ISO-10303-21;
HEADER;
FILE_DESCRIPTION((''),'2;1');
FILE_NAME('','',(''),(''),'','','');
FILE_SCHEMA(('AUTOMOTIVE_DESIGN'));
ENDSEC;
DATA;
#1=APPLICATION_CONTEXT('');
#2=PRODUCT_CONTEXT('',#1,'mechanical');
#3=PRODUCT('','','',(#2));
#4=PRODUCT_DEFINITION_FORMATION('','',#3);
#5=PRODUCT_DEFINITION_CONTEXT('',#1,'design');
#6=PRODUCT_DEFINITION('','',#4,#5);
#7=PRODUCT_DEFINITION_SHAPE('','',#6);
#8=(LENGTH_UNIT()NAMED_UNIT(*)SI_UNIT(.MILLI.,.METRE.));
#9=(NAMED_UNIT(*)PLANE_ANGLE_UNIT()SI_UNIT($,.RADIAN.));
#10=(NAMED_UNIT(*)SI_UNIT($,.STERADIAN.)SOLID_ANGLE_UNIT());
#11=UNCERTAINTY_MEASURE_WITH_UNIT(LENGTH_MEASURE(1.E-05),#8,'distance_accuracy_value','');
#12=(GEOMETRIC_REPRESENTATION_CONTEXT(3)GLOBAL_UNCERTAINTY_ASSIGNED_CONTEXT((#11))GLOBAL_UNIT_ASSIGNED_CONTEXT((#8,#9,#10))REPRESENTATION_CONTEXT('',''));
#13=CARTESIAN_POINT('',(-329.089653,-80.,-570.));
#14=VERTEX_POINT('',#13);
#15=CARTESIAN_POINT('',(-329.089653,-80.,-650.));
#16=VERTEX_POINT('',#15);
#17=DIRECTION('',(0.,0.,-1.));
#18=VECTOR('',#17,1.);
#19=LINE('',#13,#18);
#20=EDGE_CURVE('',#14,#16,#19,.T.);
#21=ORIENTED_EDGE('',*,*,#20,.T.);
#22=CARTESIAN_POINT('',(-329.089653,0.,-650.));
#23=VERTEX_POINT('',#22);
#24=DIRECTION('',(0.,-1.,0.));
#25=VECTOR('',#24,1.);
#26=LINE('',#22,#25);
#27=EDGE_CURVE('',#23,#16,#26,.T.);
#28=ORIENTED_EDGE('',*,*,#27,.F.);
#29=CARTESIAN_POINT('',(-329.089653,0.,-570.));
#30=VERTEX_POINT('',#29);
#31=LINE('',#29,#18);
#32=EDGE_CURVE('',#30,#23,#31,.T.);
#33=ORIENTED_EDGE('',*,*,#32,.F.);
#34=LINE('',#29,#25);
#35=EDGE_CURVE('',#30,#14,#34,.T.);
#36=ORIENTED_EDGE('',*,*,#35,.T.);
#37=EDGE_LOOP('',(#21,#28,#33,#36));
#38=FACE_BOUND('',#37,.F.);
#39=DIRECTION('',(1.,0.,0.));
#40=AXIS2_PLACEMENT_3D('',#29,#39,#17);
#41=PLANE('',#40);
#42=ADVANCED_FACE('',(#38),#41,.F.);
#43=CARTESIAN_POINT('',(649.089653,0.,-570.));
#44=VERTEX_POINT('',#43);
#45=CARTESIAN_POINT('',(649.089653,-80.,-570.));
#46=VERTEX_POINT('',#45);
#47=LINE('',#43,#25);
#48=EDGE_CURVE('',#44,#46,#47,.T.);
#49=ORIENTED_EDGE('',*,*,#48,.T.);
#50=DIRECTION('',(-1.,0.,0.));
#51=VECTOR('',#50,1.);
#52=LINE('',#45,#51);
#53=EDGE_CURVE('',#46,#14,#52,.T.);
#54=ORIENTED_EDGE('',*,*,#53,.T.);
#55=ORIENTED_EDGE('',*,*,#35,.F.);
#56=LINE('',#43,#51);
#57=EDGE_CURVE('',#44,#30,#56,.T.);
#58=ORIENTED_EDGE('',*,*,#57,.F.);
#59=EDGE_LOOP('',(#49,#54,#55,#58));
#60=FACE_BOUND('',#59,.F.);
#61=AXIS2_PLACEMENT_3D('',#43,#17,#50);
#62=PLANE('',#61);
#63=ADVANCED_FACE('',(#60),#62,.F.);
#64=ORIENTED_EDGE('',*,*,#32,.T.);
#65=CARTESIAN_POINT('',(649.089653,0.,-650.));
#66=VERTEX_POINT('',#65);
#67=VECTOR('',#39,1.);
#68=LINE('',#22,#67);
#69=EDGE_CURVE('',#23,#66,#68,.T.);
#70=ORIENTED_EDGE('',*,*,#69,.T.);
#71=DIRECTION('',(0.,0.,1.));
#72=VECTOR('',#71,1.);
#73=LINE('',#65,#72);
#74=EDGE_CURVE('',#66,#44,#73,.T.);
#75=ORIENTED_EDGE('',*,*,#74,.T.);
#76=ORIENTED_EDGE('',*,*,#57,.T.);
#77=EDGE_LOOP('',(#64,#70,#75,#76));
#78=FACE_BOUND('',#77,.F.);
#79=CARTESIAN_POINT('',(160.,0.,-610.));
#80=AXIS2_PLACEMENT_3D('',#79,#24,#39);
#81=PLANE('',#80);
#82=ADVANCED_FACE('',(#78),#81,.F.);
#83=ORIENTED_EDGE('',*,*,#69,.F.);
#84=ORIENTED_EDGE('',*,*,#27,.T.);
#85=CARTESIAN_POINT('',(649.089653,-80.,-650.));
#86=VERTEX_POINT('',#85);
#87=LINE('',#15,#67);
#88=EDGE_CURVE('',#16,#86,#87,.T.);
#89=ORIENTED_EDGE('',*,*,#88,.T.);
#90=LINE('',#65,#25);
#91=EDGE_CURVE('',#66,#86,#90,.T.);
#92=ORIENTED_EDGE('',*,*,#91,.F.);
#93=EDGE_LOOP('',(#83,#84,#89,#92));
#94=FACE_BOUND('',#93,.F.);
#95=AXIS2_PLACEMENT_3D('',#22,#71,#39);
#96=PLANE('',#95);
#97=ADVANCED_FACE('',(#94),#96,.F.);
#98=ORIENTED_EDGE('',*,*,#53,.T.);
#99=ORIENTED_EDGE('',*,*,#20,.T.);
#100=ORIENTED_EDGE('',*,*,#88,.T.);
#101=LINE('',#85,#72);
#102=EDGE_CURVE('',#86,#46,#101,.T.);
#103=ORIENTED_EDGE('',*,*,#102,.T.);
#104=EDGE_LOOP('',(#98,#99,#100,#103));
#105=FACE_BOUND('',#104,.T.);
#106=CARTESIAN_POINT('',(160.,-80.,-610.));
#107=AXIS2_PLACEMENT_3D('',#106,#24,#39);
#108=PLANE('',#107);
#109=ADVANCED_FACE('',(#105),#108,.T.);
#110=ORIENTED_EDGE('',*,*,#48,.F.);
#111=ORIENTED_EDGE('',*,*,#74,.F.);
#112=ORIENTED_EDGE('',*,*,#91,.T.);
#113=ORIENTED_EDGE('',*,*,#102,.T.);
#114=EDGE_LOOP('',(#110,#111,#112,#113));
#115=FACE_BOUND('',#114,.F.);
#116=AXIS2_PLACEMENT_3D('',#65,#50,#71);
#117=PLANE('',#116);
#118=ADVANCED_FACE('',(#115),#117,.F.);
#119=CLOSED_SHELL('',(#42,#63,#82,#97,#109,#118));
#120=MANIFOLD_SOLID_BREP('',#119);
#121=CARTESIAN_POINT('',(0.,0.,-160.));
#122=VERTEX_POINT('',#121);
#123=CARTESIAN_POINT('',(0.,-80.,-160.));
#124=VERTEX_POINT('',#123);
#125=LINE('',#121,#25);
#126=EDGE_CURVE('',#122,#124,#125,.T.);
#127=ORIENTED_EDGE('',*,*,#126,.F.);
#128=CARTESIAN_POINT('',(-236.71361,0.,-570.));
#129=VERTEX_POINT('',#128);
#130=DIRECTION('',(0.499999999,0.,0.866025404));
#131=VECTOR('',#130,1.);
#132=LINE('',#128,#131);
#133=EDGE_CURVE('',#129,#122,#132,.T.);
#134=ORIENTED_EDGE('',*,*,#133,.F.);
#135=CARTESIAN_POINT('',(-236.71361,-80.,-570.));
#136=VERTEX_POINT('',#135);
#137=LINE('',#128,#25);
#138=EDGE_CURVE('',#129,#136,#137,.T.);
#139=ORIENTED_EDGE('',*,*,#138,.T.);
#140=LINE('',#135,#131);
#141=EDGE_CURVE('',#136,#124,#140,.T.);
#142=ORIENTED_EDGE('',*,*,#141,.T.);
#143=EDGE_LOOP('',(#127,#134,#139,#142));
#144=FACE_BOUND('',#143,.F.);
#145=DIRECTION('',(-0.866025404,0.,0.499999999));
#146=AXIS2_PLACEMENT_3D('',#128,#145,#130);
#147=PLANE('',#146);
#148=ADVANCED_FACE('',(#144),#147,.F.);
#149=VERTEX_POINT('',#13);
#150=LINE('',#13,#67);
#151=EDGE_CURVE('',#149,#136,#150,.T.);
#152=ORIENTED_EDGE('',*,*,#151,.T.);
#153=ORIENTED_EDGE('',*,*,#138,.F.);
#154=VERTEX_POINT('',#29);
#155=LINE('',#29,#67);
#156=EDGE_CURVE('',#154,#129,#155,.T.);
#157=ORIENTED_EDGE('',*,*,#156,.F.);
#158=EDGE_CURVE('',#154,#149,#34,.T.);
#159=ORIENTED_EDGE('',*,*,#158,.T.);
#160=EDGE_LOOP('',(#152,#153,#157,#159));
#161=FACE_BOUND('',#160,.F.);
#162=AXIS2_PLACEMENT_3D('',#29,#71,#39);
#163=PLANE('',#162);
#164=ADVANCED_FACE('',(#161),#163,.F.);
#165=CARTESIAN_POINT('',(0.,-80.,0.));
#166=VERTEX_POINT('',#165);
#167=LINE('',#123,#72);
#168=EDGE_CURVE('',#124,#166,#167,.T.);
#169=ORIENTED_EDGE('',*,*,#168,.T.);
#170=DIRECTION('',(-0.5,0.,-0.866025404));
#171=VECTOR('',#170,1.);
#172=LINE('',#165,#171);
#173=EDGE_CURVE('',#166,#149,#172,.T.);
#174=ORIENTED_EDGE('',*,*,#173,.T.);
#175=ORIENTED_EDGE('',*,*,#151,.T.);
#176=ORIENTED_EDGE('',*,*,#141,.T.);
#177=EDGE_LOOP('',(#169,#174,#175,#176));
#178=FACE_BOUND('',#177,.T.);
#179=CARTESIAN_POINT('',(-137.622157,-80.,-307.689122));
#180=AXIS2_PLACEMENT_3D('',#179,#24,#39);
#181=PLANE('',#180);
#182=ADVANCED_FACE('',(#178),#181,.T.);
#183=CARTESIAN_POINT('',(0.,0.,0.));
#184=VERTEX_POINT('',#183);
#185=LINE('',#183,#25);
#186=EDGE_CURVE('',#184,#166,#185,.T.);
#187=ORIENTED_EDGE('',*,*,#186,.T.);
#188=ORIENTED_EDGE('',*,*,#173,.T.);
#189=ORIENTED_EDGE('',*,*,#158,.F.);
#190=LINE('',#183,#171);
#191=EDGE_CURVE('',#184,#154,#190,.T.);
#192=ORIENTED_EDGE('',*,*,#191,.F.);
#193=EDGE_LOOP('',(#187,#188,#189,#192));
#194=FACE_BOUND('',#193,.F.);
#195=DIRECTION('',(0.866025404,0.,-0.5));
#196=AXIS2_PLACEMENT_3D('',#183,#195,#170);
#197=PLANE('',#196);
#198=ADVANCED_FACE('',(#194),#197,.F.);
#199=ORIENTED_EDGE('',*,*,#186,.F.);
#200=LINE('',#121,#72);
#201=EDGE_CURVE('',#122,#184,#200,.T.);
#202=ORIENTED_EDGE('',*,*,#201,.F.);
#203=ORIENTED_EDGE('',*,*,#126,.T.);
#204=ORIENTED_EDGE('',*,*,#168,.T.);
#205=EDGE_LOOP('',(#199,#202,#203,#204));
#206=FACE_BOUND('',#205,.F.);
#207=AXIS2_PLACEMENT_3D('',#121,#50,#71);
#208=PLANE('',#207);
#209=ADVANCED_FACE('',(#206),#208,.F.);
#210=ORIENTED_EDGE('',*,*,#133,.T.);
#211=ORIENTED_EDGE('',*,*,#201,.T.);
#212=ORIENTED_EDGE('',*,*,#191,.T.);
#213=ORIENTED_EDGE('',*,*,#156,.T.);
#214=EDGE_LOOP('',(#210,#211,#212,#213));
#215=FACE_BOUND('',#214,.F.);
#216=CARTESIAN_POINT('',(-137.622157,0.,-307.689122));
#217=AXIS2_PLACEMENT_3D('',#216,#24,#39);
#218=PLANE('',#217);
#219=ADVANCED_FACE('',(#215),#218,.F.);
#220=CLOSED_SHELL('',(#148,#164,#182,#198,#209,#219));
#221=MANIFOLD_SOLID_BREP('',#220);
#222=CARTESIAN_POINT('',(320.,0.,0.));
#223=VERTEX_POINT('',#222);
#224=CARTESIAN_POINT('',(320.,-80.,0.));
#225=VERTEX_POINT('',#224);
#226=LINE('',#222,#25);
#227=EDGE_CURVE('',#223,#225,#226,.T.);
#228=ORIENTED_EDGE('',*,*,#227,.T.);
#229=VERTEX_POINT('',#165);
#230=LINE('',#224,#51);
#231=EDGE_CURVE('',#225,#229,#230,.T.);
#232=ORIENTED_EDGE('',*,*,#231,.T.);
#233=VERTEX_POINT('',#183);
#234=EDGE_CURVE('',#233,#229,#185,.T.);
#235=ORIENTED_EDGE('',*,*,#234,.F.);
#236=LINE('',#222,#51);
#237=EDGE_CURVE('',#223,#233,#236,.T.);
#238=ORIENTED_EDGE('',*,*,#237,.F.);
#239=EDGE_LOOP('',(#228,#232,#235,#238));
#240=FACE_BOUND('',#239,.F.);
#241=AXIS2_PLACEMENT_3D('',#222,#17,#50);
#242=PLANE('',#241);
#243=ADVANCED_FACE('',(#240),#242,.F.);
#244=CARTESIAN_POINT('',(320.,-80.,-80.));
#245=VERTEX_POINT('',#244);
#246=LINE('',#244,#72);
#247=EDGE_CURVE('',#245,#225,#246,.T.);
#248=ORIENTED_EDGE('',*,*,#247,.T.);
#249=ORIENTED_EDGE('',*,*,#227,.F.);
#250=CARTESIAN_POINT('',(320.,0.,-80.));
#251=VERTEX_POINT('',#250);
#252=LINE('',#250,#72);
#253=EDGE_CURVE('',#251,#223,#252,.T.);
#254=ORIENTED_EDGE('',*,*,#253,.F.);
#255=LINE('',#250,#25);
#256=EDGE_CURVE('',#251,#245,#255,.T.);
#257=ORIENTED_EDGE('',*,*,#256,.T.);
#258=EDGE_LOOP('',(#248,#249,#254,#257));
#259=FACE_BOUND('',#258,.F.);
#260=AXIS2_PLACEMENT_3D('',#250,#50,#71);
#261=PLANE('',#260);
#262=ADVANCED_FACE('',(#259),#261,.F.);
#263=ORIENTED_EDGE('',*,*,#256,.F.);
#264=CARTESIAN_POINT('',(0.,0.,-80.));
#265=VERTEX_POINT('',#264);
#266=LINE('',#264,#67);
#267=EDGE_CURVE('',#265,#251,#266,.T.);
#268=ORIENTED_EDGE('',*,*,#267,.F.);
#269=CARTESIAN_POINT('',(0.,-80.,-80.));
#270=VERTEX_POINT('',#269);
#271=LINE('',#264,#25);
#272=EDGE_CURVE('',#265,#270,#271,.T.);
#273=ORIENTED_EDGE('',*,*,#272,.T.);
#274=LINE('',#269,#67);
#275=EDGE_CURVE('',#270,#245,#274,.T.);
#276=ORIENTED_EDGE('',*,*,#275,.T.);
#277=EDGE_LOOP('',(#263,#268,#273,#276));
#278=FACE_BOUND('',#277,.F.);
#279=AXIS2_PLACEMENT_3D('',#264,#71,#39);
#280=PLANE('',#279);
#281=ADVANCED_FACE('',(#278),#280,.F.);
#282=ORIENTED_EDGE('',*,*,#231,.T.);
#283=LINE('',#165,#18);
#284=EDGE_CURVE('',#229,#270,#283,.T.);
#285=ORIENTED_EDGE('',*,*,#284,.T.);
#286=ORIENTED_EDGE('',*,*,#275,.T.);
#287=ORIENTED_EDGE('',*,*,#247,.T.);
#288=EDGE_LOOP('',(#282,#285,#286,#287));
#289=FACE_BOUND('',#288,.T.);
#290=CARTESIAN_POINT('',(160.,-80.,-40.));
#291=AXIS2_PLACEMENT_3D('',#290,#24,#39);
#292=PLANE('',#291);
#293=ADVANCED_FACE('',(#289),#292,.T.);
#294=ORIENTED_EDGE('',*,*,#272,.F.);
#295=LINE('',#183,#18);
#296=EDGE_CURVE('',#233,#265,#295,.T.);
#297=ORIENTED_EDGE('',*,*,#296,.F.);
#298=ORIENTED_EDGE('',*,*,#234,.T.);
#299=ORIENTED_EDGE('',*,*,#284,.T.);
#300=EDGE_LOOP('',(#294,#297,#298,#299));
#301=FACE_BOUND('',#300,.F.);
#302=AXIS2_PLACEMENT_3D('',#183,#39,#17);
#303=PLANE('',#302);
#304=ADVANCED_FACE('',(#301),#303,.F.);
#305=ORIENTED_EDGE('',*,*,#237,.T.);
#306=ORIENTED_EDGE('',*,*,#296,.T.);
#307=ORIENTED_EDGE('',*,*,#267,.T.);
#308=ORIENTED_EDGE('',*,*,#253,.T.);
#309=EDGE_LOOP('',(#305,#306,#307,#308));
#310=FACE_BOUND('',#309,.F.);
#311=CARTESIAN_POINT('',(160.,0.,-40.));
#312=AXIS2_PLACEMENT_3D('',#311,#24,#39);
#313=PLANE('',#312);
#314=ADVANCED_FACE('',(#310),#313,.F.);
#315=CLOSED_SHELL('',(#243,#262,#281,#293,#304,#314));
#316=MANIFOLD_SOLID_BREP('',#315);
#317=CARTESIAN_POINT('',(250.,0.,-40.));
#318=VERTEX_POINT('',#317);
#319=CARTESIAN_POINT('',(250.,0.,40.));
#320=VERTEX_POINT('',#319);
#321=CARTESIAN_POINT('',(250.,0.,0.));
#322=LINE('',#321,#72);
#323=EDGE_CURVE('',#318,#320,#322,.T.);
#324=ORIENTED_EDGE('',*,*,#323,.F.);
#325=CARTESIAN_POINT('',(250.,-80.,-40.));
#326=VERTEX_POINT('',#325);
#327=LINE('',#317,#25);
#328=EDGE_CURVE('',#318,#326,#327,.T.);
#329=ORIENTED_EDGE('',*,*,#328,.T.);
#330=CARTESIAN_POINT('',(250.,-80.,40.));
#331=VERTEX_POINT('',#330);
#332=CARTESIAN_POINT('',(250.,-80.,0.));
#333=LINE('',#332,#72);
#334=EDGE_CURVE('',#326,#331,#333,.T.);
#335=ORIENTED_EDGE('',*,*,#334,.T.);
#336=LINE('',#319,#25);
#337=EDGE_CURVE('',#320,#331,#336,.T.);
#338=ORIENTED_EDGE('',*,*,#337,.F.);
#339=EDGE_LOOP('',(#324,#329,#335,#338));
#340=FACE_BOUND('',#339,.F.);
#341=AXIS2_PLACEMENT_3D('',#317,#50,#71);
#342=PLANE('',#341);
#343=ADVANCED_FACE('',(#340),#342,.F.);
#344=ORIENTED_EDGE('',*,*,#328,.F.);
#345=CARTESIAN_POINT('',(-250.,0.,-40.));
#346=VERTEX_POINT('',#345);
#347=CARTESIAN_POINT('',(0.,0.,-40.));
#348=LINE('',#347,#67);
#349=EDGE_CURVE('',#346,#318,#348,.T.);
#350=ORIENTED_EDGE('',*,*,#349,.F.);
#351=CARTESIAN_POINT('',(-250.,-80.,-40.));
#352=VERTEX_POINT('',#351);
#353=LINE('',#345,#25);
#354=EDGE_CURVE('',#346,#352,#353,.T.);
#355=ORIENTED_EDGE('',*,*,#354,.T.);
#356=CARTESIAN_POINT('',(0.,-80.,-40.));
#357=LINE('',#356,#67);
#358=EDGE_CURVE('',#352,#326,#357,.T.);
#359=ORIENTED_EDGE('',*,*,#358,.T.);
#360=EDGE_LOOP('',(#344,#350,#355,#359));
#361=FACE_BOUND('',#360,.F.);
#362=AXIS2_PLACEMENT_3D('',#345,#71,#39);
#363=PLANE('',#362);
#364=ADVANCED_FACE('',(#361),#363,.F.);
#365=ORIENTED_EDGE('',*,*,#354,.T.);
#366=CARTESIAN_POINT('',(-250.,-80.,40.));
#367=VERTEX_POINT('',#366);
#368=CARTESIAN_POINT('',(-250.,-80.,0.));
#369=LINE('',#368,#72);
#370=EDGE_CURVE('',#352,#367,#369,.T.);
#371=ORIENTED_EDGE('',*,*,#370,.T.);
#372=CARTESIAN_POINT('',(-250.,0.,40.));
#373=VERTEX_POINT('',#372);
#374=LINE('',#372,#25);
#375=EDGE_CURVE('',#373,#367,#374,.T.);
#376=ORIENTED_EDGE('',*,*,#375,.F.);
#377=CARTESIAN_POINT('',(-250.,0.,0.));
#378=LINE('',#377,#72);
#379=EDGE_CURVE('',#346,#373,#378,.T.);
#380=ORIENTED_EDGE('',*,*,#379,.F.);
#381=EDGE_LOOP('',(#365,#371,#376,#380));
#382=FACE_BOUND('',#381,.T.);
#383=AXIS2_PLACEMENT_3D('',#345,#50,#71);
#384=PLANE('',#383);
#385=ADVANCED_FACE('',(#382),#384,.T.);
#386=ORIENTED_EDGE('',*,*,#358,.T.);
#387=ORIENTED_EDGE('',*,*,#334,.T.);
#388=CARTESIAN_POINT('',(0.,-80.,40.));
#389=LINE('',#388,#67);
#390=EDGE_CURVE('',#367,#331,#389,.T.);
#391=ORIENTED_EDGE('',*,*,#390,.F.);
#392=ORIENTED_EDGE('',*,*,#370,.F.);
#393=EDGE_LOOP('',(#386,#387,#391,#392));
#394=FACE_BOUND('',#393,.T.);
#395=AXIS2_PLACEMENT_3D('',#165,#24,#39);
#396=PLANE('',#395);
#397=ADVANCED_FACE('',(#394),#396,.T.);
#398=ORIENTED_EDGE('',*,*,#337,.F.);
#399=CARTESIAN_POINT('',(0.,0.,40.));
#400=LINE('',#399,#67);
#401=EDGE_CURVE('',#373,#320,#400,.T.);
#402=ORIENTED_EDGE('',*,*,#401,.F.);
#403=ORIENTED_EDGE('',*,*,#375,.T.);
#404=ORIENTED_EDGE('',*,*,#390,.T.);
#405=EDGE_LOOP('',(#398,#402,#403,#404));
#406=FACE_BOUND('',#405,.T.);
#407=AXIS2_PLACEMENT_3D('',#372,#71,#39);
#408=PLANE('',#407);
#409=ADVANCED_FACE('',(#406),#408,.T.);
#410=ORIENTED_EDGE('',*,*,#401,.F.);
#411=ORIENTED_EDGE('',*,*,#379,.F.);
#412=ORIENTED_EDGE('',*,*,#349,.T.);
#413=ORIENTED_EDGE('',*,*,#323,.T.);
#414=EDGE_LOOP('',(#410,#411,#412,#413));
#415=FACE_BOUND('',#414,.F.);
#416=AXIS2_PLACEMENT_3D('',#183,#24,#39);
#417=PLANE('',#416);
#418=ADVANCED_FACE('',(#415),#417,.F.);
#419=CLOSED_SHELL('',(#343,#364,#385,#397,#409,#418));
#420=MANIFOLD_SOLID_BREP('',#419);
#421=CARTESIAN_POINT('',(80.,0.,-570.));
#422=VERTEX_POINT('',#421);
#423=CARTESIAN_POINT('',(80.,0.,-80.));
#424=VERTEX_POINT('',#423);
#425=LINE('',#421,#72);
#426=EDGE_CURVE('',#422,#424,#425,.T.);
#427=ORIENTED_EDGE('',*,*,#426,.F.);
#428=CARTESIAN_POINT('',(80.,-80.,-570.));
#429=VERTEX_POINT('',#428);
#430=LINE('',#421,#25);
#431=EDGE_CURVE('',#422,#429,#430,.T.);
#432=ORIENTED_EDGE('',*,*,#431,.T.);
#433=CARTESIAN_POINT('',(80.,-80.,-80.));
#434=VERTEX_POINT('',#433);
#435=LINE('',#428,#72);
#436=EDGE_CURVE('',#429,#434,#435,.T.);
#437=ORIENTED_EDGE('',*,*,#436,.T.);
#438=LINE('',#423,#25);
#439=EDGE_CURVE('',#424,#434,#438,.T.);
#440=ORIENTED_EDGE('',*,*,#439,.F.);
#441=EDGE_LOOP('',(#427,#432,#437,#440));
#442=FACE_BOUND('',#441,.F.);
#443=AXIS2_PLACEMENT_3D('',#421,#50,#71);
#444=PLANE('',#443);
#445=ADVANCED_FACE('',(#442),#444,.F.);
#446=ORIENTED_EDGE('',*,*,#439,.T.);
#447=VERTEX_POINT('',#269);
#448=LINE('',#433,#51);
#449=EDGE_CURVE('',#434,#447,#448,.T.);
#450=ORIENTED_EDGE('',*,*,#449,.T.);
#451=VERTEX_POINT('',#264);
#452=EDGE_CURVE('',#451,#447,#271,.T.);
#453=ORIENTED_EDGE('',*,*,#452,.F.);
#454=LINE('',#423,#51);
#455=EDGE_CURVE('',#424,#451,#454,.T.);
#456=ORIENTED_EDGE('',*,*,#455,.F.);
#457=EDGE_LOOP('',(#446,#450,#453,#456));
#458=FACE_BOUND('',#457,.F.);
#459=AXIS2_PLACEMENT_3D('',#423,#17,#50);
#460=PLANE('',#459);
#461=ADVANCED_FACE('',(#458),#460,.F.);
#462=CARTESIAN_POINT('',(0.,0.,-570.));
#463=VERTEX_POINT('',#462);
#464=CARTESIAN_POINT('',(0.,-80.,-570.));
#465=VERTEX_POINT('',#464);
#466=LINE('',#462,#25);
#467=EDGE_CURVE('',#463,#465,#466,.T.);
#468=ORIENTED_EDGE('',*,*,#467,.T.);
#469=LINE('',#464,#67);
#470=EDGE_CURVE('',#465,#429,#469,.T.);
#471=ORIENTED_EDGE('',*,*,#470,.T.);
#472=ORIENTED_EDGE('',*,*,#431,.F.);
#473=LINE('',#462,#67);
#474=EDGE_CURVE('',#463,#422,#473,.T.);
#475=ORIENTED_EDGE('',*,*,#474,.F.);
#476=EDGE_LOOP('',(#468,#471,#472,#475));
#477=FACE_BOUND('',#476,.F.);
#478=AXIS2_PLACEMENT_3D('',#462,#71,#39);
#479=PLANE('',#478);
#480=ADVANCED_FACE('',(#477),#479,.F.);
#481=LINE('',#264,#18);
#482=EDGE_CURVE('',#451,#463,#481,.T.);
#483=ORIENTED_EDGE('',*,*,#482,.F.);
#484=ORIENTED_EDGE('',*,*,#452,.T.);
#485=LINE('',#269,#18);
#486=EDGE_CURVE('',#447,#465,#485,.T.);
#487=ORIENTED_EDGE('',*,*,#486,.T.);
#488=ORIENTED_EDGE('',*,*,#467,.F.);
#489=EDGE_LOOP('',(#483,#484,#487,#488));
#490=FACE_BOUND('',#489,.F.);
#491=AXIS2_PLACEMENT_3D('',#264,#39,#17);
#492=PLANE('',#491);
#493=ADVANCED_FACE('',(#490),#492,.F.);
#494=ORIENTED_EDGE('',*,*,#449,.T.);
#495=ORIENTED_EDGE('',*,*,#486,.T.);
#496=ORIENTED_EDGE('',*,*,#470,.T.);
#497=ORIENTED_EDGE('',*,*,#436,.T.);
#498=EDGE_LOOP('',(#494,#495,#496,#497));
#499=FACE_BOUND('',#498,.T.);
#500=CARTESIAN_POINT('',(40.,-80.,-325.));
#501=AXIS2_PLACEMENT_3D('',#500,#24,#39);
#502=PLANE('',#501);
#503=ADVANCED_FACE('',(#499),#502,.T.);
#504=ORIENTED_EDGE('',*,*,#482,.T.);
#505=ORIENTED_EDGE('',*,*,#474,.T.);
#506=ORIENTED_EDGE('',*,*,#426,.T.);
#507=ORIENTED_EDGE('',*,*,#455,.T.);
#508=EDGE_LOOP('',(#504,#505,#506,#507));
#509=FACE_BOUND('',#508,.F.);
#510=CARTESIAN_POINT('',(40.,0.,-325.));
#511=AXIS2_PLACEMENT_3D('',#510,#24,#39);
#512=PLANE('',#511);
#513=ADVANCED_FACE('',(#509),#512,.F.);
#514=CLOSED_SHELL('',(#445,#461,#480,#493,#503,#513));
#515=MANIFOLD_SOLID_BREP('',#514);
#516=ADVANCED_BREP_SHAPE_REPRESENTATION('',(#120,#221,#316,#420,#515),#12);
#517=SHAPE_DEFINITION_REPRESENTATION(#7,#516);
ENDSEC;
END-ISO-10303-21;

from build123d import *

# Parameters (mm, degrees)
F0_W     = 500
F0_H     = 80
F1_DEPTH = 80
F3_DEPTH = 80
F4_DEPTH = 80
F5_DEPTH = 80
F6_DEPTH = 80


with BuildPart() as f1:
    # F0 (on Front) → F1 (new body)
    with BuildSketch(Plane.XZ):
        Rectangle(F0_W, F0_H)
    extrude(amount=F1_DEPTH)


with BuildPart() as f3:
    # F2 (on Front) → F3 (new body)
    with BuildSketch(Plane.XZ):
        Polygon((-236.71361, -570), (-329.089653, -570), (-329.089653, -650), (649.089653, -650), (649.089653, -570), (556.71361, -570), (320, -570), (240, -570), (80, -570), (0, -570), align=None)
    extrude(amount=F3_DEPTH)


with BuildPart() as f4:
    # F2 (on Front) → F4 (new body)
    with BuildSketch(Plane.XZ):
        Polygon((320, 0), (0, 0), (0, -80), (80, -80), (240, -80), (320, -80), align=None)
    extrude(amount=F4_DEPTH)


with BuildPart() as f5:
    # F2 (on Front) → F5 (new body)
    with BuildSketch(Plane.XZ):
        Polygon((80, -80), (0, -80), (0, -160), (0, -570), (80, -570), align=None)
    extrude(amount=F5_DEPTH)


with BuildPart() as f6:
    # F2 (on Front) → F6 (new body)
    with BuildSketch(Plane.XZ):
        Polygon((0, -80), (0, 0), (-329.089653, -570), (-236.71361, -570), (0, -160), align=None)
    extrude(amount=F6_DEPTH)


solid = Compound([f1.part, f3.part, f4.part, f5.part, f6.part])
